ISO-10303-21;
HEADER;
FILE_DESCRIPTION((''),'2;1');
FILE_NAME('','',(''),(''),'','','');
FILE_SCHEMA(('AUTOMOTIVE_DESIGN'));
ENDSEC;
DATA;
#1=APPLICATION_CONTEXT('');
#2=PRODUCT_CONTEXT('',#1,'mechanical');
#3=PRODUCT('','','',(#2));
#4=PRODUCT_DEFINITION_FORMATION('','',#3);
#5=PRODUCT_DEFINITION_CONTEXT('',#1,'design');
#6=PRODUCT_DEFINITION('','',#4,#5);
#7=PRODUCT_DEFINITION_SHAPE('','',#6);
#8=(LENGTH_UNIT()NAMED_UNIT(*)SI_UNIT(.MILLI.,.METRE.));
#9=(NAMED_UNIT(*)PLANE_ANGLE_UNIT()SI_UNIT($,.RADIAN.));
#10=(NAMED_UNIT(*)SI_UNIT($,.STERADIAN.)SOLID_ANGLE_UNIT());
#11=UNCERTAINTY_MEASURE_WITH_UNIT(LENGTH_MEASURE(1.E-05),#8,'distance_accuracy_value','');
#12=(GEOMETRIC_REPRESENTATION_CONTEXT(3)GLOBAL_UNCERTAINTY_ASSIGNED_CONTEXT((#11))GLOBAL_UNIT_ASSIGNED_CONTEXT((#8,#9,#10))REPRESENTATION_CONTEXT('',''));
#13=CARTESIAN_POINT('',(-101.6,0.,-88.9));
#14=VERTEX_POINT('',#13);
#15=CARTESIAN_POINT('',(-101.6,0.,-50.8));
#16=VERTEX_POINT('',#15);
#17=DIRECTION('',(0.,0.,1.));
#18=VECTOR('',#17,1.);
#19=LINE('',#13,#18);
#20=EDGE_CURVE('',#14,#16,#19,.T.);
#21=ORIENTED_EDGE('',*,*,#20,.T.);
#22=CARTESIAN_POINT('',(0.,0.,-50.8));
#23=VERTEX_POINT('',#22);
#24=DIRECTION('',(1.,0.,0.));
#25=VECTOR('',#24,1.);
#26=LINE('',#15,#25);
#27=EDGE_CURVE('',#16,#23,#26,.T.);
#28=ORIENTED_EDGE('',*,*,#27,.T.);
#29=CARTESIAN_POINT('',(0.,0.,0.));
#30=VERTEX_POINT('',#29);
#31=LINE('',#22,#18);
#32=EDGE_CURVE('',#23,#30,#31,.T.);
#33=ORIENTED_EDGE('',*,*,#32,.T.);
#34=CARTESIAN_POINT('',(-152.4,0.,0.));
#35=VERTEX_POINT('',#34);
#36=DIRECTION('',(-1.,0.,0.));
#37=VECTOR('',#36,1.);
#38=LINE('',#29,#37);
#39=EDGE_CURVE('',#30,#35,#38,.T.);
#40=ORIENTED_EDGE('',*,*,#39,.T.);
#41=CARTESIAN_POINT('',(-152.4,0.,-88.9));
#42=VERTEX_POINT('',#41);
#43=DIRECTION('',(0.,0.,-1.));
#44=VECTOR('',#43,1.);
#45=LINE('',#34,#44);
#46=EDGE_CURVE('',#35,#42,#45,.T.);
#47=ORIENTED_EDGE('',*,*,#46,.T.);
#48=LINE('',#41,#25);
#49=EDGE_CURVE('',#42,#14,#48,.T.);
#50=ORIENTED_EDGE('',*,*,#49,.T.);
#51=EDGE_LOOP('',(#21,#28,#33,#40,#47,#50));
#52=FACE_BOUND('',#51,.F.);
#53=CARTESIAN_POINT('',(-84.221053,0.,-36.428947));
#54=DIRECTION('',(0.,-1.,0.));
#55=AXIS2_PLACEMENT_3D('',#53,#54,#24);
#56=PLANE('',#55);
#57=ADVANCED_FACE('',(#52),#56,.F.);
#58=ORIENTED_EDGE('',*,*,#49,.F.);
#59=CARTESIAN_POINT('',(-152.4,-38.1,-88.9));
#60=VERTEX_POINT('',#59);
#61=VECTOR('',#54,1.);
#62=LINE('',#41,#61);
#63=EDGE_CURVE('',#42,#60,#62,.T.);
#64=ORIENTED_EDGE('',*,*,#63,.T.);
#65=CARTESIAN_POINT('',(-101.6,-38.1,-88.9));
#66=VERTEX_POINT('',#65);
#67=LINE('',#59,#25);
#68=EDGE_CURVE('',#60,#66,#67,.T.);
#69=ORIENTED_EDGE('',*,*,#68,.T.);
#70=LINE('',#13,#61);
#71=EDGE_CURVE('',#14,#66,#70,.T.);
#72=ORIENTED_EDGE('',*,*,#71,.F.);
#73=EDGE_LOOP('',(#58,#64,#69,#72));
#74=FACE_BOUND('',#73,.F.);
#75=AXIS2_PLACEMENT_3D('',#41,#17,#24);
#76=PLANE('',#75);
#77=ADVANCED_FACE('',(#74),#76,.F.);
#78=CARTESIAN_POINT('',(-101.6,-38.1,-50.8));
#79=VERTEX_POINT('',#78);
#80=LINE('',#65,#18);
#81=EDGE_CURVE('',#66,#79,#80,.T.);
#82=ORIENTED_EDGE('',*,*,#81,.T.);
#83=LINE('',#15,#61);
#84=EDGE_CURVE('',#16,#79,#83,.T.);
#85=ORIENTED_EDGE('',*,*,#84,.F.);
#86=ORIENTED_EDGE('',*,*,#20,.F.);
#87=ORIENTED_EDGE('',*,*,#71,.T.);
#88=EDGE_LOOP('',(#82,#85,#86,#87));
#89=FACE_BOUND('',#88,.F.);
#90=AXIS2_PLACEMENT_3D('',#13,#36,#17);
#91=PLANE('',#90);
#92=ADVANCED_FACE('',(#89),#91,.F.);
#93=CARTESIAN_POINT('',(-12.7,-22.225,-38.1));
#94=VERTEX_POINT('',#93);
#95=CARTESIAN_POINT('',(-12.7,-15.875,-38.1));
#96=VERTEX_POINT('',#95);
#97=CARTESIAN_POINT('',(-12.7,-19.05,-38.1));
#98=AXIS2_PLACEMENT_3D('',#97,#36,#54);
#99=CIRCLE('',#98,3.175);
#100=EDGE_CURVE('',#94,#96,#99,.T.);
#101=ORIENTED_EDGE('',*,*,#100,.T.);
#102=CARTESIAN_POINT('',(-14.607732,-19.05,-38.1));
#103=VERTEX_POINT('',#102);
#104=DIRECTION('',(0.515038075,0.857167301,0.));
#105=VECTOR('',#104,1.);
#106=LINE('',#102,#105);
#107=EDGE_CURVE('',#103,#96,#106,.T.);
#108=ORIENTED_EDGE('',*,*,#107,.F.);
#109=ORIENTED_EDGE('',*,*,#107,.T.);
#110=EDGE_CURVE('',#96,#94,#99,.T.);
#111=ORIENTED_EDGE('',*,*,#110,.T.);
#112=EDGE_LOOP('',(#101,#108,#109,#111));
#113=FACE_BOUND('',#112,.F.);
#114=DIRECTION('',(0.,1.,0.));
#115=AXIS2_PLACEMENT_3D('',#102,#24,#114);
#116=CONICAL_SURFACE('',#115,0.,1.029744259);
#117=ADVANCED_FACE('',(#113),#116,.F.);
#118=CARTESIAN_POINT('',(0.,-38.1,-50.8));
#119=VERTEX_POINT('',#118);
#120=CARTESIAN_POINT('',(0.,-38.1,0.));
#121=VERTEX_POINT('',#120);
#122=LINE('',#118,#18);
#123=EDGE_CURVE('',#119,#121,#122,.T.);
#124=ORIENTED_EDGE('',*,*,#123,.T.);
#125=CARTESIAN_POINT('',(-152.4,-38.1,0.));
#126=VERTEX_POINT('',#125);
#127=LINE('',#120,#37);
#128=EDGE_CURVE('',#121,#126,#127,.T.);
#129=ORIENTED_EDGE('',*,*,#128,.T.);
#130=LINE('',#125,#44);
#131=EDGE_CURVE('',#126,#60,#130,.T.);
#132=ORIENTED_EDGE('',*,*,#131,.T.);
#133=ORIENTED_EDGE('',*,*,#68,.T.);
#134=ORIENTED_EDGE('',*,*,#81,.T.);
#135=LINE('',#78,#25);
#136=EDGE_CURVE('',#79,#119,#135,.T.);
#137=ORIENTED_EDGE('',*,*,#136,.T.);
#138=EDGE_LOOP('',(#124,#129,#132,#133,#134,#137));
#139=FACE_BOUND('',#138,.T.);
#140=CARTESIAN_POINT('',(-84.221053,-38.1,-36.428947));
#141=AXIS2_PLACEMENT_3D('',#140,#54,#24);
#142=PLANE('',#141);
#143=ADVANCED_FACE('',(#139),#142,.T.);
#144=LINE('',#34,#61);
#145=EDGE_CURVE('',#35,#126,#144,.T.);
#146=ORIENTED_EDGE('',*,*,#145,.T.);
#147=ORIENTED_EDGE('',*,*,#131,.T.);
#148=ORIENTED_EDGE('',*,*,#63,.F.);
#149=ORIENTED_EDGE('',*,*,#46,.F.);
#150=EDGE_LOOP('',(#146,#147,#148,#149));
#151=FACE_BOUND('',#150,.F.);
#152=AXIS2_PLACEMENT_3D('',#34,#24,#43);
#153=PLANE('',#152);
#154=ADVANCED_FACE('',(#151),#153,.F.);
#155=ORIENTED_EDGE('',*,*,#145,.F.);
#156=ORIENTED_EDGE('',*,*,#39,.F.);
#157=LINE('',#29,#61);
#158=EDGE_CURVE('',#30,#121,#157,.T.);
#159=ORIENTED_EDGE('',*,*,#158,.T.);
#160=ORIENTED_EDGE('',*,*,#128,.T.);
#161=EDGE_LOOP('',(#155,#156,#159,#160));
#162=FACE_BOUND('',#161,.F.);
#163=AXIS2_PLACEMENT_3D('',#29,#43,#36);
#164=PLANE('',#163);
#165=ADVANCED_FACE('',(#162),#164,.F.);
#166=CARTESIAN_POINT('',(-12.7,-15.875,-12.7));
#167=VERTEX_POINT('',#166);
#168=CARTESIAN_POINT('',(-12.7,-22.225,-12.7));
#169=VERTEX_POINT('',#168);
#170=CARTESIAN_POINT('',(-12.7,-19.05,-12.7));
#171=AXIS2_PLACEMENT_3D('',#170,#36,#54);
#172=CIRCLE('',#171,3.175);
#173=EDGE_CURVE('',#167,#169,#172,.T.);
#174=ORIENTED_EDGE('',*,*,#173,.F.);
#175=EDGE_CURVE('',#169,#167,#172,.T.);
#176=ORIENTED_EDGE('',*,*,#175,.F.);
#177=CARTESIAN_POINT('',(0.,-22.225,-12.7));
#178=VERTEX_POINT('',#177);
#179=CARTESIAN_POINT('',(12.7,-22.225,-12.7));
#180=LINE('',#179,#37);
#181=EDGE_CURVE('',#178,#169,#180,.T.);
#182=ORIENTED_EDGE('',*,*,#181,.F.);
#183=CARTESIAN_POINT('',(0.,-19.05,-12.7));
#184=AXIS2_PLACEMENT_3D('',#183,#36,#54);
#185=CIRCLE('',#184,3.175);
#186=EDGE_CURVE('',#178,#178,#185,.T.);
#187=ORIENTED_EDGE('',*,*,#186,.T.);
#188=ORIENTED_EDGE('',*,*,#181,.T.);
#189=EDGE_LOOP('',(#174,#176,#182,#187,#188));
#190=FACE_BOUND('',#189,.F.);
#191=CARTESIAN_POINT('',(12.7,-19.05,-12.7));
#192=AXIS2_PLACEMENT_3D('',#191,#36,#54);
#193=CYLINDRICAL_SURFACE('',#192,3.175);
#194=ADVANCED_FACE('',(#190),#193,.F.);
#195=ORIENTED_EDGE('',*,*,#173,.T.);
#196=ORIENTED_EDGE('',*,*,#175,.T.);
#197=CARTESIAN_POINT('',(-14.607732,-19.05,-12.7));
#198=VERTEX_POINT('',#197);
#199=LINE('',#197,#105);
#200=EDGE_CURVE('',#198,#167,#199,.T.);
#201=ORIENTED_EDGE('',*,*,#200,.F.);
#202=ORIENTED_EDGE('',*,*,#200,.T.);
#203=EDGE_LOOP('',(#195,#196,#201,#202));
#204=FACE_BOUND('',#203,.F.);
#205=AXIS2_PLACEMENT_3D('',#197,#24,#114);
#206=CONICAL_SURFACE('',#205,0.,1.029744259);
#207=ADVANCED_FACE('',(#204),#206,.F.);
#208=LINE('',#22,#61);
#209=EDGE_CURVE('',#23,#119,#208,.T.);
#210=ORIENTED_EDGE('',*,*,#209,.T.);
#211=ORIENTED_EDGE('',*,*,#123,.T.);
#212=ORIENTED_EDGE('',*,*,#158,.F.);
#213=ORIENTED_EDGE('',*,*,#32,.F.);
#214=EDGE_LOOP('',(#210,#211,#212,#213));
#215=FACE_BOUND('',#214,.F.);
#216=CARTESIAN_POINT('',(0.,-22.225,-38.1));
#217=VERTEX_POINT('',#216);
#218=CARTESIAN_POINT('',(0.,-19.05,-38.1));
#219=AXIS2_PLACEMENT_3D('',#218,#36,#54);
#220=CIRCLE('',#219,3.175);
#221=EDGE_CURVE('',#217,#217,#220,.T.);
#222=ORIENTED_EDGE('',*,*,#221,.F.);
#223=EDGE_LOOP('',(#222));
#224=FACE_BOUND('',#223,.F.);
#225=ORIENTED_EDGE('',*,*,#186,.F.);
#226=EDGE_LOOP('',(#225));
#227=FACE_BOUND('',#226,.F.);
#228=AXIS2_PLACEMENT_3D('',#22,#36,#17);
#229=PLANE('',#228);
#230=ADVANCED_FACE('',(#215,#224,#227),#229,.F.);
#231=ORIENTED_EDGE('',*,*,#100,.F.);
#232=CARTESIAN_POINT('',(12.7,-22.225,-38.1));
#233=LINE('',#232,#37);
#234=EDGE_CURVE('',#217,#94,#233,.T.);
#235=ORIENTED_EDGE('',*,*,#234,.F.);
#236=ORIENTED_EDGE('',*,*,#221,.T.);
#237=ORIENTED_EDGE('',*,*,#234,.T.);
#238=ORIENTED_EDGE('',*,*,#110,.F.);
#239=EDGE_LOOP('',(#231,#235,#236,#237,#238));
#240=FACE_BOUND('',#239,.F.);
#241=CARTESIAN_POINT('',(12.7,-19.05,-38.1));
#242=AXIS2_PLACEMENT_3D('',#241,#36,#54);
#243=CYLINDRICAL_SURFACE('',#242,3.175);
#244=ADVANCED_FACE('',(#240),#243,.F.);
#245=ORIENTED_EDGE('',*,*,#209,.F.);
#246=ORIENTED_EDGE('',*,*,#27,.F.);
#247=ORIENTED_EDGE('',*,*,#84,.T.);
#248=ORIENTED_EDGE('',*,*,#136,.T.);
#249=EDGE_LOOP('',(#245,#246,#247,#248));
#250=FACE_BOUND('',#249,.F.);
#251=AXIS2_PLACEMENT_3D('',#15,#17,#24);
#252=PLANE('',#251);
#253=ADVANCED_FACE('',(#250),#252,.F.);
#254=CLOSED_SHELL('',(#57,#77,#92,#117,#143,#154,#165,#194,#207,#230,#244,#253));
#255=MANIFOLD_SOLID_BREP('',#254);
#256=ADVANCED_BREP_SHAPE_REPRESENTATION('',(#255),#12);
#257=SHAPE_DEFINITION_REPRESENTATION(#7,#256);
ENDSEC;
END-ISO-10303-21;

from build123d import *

# Parameters (mm, degrees)
F1_DEPTH = 38.1
F3_D     = 6.35
F3_DEPTH = 12.7
F3_TIP   = 1.9077324654


with BuildPart() as f1:
    # F0 (on Front) → F1 (new body)
    with BuildSketch(Plane.XZ):
        Polygon((0, -50.8), (0, 0), (-152.4, 0), (-152.4, -88.9), (-101.6, -88.9), (-101.6, -50.8), align=None)
    extrude(amount=F1_DEPTH)

    # F3
    with Locations(Plane.YZ):
        with Locations((-19.05, -12.7), (-19.05, -38.1)):
            Hole(F3_D / 2, depth=F3_DEPTH)
            with Locations((0, 0, -(F3_DEPTH + F3_TIP / 2))):  # 118° drill point
                Cone(0, F3_D / 2, F3_TIP, mode=Mode.SUBTRACT)


solid = f1.part
